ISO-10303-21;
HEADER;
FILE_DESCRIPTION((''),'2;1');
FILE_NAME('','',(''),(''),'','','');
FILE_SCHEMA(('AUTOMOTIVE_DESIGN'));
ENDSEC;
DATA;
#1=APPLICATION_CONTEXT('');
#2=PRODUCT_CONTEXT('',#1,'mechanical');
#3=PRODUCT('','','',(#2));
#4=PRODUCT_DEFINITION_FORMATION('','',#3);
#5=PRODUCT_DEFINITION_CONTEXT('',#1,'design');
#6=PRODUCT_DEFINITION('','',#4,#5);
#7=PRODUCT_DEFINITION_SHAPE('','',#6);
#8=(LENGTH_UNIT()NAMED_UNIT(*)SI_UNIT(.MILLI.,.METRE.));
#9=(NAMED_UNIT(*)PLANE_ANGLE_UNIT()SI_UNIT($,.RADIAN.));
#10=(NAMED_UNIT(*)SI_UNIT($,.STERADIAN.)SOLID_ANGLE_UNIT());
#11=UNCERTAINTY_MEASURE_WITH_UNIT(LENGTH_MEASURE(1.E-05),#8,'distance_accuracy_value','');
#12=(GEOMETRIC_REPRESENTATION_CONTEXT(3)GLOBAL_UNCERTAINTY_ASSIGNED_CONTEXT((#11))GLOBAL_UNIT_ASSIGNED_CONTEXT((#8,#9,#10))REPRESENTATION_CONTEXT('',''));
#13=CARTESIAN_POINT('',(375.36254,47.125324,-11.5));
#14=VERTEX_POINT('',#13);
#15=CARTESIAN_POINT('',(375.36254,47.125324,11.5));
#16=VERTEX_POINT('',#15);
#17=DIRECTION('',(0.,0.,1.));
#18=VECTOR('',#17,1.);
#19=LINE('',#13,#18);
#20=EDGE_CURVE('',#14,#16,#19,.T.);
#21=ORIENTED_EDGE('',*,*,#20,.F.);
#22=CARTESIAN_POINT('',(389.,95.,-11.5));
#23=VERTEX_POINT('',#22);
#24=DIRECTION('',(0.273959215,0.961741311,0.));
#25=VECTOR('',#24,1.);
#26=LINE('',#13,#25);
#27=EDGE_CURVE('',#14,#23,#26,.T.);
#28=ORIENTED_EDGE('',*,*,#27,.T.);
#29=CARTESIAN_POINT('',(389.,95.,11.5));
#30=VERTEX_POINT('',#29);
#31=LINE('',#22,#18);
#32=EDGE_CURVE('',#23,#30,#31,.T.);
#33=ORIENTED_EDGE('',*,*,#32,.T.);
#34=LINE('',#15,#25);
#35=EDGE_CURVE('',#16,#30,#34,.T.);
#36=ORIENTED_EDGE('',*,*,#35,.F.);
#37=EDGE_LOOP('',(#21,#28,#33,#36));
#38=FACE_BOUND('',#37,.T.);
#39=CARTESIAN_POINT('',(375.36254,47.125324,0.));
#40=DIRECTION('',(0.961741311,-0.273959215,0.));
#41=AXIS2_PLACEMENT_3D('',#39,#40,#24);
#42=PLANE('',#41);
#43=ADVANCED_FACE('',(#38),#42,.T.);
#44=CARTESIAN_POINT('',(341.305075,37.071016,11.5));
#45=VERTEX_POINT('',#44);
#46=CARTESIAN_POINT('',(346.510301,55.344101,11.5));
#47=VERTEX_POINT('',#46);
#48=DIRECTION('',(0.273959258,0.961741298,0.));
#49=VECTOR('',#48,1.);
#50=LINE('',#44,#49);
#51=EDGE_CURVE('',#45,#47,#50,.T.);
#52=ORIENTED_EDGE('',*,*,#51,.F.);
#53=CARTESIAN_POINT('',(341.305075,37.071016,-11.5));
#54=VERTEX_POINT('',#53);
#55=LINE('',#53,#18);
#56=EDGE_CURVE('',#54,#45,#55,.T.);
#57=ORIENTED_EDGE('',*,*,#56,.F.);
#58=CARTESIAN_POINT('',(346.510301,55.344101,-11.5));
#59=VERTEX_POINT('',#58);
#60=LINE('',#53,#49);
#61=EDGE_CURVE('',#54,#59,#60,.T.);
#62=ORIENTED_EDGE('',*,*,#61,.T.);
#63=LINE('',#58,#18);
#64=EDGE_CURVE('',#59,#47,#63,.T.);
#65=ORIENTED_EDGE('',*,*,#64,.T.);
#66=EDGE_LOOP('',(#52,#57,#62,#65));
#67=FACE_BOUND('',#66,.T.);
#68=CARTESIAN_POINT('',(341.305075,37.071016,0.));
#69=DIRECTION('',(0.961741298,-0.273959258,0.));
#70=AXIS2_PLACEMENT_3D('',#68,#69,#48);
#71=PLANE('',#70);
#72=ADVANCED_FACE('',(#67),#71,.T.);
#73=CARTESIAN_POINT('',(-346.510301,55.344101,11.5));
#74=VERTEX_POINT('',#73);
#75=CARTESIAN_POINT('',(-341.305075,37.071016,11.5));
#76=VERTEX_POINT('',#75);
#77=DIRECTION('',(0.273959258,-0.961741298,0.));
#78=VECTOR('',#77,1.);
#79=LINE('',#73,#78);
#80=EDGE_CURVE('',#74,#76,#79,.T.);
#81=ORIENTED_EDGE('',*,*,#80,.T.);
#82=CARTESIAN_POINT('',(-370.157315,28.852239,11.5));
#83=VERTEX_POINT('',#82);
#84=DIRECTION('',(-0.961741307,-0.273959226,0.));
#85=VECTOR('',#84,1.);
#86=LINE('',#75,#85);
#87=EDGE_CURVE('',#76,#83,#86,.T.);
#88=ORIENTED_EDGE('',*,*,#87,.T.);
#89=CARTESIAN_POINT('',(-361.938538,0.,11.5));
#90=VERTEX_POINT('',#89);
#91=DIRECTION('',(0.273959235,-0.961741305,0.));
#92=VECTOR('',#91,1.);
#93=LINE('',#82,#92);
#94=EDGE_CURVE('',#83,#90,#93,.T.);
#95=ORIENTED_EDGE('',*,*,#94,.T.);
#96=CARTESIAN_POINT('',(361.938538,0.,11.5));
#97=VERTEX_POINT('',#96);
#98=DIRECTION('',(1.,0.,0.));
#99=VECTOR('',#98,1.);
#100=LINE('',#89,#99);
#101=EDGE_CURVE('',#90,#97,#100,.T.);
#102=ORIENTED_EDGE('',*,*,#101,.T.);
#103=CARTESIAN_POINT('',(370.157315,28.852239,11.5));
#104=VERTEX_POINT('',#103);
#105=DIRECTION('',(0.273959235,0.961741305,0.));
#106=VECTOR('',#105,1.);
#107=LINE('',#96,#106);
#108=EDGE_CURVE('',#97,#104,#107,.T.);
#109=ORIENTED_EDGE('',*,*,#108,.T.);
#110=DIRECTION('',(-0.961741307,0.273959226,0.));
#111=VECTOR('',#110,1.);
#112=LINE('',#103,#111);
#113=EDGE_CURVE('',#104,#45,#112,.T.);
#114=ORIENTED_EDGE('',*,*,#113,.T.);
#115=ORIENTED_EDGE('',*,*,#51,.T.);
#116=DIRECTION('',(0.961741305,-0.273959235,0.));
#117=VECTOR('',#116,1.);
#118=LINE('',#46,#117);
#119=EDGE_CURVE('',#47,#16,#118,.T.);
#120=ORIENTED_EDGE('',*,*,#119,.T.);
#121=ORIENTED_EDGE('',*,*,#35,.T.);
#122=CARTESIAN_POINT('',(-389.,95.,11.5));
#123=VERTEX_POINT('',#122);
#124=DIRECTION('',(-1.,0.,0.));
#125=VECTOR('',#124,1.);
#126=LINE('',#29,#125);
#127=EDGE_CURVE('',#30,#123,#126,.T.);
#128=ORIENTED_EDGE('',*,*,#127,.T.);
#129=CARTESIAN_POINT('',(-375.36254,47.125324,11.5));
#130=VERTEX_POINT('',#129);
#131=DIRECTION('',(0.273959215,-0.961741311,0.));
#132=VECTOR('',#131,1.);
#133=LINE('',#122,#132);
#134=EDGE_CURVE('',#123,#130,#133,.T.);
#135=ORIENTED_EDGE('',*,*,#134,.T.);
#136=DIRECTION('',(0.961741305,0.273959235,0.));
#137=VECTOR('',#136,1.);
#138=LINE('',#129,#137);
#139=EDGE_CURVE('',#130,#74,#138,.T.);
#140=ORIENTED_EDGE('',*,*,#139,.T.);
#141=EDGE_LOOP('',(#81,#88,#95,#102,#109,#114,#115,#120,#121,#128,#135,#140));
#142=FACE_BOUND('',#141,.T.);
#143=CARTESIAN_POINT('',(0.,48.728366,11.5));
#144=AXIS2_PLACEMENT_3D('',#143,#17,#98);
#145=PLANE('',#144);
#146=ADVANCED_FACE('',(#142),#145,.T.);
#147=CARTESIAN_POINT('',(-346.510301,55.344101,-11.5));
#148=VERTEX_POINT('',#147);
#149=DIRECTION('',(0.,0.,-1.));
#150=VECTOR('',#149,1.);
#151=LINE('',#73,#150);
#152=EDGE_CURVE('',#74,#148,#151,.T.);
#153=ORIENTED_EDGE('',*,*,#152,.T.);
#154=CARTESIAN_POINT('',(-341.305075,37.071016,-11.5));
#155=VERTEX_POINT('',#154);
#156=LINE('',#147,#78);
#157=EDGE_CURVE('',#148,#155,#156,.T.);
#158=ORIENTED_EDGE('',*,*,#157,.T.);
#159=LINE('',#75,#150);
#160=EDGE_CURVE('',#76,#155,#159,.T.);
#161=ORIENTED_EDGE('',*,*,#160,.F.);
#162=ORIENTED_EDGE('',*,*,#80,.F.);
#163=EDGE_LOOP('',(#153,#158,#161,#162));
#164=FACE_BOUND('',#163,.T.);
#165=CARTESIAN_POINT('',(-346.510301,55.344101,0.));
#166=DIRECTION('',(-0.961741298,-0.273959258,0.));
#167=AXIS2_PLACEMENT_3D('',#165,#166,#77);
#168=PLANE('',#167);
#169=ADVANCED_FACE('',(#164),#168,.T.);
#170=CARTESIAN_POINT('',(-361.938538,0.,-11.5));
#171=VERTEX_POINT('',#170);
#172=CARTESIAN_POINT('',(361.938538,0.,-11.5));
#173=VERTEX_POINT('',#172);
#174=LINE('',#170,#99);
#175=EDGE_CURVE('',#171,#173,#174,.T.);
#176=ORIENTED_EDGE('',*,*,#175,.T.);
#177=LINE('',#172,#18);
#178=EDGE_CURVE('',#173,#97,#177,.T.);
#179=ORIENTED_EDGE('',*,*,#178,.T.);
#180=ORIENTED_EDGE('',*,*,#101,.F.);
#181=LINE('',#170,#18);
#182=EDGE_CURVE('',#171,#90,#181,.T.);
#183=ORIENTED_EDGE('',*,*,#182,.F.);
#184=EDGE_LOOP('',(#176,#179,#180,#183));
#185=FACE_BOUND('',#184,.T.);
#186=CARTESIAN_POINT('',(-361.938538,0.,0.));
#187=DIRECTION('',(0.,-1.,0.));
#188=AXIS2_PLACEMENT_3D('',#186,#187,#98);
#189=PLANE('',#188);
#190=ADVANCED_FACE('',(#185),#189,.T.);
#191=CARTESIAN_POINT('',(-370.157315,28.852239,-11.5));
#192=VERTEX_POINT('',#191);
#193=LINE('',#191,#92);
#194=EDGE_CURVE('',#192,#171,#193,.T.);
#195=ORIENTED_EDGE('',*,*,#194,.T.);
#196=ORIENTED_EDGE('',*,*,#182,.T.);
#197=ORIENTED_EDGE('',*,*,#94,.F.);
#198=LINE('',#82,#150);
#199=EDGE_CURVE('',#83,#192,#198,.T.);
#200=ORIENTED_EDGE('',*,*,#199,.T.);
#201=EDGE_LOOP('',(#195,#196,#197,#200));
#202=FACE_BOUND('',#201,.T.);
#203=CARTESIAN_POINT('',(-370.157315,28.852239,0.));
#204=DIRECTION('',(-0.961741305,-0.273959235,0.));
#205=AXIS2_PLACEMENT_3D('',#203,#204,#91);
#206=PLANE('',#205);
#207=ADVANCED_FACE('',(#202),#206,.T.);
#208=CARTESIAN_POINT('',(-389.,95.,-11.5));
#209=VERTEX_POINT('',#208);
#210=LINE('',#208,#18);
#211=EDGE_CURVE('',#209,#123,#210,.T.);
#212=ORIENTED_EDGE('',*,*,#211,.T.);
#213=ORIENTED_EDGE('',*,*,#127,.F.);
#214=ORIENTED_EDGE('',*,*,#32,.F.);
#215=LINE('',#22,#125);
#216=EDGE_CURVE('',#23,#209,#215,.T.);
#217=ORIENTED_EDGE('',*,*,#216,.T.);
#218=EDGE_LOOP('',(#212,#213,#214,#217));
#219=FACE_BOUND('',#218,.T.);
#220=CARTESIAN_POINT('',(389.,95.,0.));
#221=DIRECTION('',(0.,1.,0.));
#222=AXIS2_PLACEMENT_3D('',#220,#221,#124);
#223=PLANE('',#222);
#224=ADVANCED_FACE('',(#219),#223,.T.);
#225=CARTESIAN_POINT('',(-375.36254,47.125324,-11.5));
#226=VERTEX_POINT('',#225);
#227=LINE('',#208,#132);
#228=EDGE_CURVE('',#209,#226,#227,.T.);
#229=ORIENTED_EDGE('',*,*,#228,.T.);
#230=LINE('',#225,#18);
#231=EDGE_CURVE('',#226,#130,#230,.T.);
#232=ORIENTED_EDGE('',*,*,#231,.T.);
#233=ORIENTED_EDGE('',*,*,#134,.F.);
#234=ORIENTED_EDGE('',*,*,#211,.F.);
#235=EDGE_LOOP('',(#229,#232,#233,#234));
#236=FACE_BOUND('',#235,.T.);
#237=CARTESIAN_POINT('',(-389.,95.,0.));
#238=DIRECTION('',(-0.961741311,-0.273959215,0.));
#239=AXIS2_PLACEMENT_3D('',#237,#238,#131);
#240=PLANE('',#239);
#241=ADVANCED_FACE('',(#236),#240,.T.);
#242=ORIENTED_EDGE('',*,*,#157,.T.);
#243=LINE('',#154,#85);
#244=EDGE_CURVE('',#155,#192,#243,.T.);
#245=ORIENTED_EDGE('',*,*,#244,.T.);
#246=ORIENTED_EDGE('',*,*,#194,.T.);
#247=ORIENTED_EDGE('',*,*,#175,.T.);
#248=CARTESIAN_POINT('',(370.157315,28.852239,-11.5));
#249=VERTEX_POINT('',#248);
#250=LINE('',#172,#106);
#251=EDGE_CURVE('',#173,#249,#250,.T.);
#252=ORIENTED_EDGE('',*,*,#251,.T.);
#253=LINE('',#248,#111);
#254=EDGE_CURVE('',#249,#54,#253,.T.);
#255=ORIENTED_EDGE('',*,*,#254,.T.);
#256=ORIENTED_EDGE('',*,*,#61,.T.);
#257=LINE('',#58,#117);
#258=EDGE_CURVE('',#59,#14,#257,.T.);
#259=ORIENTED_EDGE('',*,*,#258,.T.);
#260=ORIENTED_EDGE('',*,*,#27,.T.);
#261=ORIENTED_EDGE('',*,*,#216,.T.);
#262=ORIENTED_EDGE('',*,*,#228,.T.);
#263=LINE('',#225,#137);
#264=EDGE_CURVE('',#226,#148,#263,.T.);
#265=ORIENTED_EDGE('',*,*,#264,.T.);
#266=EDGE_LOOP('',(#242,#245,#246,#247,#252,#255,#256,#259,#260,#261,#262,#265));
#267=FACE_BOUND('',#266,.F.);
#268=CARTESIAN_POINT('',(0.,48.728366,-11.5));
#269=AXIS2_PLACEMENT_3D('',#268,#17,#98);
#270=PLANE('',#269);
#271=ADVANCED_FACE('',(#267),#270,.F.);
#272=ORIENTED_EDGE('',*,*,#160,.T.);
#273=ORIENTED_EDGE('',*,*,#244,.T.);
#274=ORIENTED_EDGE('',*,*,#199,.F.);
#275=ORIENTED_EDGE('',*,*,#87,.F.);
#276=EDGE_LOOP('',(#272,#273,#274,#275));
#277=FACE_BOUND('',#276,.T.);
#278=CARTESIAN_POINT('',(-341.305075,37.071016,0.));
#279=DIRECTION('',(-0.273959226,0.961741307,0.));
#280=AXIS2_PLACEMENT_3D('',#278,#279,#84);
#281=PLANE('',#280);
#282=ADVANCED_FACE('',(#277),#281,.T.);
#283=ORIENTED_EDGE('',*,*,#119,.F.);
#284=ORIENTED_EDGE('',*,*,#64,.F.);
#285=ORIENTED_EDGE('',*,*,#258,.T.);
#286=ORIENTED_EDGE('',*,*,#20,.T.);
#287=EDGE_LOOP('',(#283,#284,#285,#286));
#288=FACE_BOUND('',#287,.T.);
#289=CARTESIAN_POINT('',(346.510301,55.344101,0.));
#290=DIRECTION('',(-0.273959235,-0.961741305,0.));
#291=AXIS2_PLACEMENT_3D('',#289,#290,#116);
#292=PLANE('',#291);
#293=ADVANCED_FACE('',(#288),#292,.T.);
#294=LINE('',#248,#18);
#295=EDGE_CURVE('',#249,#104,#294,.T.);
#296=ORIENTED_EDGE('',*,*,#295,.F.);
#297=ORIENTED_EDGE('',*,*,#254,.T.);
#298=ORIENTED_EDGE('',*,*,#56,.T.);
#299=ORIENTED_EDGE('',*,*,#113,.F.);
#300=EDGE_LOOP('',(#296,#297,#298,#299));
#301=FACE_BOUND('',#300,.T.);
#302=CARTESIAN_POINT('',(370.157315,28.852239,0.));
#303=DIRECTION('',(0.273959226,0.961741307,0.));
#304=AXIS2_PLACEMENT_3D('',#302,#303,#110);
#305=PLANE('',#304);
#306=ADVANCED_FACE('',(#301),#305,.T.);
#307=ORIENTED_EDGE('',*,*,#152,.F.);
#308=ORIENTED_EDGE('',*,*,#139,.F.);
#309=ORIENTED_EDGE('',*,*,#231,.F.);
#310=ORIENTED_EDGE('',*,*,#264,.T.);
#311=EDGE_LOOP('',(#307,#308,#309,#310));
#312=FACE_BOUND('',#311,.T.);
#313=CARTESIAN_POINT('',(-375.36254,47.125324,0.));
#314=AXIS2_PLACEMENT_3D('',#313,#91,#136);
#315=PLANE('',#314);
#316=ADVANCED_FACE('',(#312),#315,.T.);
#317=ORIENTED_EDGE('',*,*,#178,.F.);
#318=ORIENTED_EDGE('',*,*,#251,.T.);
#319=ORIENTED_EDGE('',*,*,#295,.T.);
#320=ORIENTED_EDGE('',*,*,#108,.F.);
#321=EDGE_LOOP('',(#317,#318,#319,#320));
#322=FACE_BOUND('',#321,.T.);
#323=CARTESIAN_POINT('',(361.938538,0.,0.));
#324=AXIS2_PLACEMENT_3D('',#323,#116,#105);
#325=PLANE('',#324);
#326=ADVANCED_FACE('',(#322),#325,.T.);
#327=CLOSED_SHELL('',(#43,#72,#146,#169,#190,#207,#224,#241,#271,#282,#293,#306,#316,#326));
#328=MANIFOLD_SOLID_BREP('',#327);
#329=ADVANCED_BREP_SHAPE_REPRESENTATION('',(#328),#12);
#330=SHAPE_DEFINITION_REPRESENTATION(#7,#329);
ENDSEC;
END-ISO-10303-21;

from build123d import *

# Parameters (mm, degrees)
F1_DEPTH = 11.5


with BuildPart() as f1:
    # F0 (on Top) → F1 (new body, symmetric)
    with BuildSketch(Plane.XY):
        Polygon((-370.157315, 28.852239), (-361.938538, 0), (361.938538, 0), (370.157315, 28.852239), (341.305075, 37.071016), (346.510301, 55.344101), (375.36254, 47.125324), (389, 95), (-389, 95), (-375.36254, 47.125324), (-346.510301, 55.344101), (-341.305075, 37.071016), align=None)
    extrude(amount=F1_DEPTH, both=True)


solid = f1.part
